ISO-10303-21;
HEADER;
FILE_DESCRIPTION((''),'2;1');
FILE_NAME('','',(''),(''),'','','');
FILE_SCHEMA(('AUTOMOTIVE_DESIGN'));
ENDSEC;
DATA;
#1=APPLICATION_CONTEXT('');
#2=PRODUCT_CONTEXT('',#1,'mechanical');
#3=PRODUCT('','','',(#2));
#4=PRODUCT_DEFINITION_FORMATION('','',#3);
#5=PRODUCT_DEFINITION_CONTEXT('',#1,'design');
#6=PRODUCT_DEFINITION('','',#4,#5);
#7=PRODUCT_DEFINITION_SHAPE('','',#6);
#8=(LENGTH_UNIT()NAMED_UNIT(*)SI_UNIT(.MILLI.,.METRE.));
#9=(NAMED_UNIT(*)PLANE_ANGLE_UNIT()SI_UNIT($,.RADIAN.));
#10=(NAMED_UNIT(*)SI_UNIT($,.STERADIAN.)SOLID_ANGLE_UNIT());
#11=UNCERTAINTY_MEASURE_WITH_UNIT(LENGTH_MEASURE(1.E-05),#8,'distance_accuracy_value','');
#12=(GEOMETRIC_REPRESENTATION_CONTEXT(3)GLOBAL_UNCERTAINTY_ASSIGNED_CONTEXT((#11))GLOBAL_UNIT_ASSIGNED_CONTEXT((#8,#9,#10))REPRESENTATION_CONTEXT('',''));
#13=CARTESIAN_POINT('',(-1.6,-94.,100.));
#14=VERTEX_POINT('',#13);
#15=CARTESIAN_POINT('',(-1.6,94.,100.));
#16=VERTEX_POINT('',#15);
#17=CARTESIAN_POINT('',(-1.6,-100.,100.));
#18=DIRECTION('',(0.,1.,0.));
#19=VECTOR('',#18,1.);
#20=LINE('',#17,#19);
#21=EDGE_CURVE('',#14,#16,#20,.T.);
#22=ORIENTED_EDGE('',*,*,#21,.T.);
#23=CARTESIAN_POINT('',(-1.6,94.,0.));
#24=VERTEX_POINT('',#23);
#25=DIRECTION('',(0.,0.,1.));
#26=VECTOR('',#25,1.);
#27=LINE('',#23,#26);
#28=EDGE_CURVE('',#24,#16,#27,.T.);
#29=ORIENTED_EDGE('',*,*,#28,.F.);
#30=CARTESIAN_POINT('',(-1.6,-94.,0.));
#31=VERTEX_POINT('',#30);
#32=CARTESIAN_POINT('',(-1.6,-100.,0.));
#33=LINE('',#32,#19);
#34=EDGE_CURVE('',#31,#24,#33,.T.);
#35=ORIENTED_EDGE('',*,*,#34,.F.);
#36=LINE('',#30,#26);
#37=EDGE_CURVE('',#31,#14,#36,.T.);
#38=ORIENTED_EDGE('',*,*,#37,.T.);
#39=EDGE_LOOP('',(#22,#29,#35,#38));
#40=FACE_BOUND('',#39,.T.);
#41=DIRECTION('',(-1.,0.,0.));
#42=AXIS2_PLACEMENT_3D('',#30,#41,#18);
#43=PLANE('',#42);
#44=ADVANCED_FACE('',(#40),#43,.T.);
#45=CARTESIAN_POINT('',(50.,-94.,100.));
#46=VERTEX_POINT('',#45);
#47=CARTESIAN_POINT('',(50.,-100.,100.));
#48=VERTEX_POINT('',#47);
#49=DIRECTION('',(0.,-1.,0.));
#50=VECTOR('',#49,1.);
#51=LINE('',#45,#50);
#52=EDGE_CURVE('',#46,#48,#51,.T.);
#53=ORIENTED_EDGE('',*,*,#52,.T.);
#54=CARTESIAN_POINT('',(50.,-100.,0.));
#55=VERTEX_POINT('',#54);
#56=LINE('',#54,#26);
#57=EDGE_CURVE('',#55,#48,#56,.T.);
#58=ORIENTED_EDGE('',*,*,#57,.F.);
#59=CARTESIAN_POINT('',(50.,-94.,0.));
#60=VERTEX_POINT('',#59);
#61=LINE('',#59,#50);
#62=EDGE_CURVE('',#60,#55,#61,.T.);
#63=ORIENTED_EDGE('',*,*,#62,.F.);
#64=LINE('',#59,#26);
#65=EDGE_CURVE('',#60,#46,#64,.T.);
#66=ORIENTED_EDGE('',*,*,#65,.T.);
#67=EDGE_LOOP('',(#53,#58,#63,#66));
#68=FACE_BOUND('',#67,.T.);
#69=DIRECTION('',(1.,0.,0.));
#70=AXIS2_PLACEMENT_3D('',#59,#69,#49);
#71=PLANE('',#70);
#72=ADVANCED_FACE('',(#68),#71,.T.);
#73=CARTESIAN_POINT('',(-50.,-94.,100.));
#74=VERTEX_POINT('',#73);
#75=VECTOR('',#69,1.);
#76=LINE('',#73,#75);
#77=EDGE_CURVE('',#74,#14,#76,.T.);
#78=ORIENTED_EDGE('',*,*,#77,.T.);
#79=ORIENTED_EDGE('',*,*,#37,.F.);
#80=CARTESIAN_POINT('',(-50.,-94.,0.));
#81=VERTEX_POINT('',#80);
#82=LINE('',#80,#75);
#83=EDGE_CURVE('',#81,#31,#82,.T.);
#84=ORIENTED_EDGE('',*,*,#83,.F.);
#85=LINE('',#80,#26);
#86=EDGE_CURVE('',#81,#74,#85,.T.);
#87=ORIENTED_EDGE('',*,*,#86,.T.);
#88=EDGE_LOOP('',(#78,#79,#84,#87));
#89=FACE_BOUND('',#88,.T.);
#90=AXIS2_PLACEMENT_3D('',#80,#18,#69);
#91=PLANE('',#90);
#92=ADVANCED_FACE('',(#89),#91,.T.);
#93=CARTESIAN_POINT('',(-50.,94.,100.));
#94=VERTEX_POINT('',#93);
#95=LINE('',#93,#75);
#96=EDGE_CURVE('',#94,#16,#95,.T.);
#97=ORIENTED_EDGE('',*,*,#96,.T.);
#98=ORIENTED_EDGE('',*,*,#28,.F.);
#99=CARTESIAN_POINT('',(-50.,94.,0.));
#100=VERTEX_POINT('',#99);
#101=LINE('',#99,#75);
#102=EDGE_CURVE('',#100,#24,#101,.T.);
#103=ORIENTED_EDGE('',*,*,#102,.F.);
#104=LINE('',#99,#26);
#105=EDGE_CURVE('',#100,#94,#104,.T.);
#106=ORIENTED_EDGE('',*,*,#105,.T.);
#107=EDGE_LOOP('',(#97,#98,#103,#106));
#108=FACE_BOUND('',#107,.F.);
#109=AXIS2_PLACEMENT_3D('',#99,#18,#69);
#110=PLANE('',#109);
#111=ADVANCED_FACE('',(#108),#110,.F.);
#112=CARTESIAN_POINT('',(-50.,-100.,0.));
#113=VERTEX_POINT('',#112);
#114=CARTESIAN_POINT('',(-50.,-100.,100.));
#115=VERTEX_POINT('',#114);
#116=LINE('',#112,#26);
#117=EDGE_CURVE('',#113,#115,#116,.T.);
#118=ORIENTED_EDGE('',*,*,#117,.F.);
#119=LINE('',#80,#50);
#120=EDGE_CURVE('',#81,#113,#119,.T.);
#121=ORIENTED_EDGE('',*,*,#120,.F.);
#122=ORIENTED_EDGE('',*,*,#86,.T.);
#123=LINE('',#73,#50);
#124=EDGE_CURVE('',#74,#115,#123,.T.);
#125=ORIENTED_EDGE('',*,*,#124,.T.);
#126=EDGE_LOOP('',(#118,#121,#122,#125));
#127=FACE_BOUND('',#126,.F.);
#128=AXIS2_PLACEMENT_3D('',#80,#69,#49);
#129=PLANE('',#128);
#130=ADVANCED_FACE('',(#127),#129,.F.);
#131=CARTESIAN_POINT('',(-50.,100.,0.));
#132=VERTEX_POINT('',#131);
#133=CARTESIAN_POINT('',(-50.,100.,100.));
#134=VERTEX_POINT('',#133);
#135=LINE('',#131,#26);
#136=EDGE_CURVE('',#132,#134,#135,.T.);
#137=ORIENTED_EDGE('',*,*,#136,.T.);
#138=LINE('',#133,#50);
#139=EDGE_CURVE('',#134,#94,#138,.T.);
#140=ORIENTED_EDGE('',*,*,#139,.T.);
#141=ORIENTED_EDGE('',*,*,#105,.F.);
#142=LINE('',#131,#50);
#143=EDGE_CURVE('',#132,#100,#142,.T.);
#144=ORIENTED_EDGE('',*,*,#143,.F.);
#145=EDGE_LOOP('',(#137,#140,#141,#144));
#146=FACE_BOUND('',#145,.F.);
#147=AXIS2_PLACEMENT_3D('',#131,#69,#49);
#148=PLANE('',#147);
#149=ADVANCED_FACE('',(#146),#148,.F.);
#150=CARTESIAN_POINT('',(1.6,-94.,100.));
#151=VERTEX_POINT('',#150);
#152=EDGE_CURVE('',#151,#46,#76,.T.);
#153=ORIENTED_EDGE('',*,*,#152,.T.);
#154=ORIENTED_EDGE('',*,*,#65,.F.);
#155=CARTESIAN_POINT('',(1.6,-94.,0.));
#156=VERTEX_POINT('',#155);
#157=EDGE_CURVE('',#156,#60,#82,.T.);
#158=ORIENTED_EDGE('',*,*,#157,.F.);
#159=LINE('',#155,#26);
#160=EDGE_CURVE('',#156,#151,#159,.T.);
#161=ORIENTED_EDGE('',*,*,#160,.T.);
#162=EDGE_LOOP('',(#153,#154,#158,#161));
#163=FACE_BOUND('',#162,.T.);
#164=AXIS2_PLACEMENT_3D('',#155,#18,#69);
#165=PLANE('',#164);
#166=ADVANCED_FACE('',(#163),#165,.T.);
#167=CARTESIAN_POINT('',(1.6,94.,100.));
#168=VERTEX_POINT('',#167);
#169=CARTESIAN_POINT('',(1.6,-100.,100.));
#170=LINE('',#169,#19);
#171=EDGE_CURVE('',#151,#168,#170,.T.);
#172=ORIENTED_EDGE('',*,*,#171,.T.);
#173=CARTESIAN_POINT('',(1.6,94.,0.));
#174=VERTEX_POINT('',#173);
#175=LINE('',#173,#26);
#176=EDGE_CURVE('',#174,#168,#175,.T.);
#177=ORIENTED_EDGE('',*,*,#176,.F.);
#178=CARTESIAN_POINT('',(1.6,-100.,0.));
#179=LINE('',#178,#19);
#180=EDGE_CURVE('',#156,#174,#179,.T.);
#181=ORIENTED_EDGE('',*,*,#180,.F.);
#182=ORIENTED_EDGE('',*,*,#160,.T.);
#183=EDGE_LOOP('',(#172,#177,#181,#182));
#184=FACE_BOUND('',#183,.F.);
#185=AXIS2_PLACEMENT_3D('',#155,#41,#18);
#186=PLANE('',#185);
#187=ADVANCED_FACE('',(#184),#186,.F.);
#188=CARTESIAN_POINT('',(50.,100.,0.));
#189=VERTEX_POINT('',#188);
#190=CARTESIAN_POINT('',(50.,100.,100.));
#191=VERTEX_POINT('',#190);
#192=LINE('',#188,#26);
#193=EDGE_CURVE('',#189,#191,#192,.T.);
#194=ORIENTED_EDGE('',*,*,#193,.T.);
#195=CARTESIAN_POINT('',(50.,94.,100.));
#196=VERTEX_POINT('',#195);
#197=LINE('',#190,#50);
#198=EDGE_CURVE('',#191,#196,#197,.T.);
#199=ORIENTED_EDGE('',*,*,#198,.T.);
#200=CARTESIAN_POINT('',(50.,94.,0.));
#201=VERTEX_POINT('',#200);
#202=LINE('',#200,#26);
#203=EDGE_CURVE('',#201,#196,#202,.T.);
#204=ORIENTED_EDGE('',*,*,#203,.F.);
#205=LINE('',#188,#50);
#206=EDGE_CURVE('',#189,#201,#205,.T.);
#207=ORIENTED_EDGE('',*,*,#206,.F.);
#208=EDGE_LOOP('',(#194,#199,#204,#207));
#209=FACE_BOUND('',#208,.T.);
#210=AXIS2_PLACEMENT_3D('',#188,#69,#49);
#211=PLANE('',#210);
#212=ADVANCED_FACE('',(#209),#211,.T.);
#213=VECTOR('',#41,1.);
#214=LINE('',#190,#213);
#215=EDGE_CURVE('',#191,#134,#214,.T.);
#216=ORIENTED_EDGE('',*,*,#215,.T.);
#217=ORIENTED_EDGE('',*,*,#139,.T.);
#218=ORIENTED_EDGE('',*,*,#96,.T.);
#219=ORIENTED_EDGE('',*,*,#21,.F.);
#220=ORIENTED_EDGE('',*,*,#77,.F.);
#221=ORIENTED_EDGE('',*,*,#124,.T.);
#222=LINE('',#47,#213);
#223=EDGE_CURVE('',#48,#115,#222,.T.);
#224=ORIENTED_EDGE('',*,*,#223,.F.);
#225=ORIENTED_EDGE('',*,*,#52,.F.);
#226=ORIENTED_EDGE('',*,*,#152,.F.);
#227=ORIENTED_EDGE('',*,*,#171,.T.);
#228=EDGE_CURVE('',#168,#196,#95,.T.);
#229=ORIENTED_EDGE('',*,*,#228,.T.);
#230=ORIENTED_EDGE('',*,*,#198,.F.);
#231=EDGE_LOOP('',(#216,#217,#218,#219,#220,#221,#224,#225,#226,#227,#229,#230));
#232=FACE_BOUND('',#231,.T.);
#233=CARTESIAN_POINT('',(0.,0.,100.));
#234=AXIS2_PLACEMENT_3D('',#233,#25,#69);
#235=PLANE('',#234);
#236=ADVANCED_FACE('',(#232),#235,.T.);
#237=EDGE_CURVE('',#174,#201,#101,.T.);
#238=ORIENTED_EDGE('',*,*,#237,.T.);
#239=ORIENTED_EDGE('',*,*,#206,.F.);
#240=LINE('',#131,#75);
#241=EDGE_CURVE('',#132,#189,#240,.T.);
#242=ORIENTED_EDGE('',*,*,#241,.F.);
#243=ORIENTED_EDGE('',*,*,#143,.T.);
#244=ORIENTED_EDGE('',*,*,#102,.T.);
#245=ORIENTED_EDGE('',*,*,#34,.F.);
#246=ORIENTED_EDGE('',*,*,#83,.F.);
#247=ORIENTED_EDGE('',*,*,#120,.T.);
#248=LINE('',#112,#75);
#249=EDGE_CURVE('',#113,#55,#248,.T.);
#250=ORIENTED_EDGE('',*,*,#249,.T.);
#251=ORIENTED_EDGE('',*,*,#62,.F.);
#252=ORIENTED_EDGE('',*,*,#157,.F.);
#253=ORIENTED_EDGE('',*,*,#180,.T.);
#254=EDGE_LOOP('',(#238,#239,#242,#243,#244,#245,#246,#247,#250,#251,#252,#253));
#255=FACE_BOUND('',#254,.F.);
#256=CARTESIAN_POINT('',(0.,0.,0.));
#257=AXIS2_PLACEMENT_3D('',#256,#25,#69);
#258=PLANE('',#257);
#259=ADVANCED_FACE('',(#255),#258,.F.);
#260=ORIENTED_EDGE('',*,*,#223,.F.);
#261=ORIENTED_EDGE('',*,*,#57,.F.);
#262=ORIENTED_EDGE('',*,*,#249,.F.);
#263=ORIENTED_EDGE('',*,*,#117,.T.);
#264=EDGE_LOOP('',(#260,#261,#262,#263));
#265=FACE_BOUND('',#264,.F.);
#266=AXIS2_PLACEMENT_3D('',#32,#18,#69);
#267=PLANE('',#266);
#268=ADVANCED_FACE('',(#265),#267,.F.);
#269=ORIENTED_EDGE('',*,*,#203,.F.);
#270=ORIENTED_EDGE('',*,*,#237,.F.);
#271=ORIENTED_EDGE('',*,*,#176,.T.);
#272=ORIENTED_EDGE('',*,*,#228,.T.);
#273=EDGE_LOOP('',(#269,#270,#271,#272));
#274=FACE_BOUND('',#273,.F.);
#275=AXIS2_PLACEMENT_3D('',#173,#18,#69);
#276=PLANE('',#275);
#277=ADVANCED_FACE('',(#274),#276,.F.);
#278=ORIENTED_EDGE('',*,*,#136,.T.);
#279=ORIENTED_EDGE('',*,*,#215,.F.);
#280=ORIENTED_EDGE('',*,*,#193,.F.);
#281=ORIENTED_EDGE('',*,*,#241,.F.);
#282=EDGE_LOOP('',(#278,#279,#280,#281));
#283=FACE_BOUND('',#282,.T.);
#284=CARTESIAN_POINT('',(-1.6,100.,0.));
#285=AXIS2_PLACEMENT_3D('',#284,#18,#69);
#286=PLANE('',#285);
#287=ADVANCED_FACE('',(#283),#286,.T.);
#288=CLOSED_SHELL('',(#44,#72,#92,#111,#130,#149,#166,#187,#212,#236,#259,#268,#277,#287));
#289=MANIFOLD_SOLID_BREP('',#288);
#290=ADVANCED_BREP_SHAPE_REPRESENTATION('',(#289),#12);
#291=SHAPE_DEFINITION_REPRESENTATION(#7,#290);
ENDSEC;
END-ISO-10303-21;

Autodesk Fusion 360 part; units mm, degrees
sketch "スケッチ1" plane through (0, 0, 0) normal (0, 0, 1) x (1, 0, 0)
  line L0 (0, -100) -> (0, 100)
  line L1 (-50, 100) -> (50, 100)
  line L2 (-50, -100) -> (50, -100)
  line L3 (-50, 94) -> (50, 94)
  line L4 (-50, -94) -> (50, -94)
  line L5 (1.6, -100) -> (1.6, 100)
  line L6 (-1.6, -100) -> (-1.6, 100)
  line L7 (50, 100) -> (50, 94)
  line L8 (-50, 100) -> (-50, 94)
  line L9 (50, -94) -> (50, -100)
  line L10 (-50, -94) -> (-50, -100)
  dimension "d1" = 200
  dimension "d2" = 100
  dimension "d3" = 100
  dimension "d4" = 6
  dimension "d5" = -6
  dimension "d6" = 1.6
  dimension "d7" = -1.6
extrude "押し出し1" add sketch "スケッチ1" along normal blind 100
